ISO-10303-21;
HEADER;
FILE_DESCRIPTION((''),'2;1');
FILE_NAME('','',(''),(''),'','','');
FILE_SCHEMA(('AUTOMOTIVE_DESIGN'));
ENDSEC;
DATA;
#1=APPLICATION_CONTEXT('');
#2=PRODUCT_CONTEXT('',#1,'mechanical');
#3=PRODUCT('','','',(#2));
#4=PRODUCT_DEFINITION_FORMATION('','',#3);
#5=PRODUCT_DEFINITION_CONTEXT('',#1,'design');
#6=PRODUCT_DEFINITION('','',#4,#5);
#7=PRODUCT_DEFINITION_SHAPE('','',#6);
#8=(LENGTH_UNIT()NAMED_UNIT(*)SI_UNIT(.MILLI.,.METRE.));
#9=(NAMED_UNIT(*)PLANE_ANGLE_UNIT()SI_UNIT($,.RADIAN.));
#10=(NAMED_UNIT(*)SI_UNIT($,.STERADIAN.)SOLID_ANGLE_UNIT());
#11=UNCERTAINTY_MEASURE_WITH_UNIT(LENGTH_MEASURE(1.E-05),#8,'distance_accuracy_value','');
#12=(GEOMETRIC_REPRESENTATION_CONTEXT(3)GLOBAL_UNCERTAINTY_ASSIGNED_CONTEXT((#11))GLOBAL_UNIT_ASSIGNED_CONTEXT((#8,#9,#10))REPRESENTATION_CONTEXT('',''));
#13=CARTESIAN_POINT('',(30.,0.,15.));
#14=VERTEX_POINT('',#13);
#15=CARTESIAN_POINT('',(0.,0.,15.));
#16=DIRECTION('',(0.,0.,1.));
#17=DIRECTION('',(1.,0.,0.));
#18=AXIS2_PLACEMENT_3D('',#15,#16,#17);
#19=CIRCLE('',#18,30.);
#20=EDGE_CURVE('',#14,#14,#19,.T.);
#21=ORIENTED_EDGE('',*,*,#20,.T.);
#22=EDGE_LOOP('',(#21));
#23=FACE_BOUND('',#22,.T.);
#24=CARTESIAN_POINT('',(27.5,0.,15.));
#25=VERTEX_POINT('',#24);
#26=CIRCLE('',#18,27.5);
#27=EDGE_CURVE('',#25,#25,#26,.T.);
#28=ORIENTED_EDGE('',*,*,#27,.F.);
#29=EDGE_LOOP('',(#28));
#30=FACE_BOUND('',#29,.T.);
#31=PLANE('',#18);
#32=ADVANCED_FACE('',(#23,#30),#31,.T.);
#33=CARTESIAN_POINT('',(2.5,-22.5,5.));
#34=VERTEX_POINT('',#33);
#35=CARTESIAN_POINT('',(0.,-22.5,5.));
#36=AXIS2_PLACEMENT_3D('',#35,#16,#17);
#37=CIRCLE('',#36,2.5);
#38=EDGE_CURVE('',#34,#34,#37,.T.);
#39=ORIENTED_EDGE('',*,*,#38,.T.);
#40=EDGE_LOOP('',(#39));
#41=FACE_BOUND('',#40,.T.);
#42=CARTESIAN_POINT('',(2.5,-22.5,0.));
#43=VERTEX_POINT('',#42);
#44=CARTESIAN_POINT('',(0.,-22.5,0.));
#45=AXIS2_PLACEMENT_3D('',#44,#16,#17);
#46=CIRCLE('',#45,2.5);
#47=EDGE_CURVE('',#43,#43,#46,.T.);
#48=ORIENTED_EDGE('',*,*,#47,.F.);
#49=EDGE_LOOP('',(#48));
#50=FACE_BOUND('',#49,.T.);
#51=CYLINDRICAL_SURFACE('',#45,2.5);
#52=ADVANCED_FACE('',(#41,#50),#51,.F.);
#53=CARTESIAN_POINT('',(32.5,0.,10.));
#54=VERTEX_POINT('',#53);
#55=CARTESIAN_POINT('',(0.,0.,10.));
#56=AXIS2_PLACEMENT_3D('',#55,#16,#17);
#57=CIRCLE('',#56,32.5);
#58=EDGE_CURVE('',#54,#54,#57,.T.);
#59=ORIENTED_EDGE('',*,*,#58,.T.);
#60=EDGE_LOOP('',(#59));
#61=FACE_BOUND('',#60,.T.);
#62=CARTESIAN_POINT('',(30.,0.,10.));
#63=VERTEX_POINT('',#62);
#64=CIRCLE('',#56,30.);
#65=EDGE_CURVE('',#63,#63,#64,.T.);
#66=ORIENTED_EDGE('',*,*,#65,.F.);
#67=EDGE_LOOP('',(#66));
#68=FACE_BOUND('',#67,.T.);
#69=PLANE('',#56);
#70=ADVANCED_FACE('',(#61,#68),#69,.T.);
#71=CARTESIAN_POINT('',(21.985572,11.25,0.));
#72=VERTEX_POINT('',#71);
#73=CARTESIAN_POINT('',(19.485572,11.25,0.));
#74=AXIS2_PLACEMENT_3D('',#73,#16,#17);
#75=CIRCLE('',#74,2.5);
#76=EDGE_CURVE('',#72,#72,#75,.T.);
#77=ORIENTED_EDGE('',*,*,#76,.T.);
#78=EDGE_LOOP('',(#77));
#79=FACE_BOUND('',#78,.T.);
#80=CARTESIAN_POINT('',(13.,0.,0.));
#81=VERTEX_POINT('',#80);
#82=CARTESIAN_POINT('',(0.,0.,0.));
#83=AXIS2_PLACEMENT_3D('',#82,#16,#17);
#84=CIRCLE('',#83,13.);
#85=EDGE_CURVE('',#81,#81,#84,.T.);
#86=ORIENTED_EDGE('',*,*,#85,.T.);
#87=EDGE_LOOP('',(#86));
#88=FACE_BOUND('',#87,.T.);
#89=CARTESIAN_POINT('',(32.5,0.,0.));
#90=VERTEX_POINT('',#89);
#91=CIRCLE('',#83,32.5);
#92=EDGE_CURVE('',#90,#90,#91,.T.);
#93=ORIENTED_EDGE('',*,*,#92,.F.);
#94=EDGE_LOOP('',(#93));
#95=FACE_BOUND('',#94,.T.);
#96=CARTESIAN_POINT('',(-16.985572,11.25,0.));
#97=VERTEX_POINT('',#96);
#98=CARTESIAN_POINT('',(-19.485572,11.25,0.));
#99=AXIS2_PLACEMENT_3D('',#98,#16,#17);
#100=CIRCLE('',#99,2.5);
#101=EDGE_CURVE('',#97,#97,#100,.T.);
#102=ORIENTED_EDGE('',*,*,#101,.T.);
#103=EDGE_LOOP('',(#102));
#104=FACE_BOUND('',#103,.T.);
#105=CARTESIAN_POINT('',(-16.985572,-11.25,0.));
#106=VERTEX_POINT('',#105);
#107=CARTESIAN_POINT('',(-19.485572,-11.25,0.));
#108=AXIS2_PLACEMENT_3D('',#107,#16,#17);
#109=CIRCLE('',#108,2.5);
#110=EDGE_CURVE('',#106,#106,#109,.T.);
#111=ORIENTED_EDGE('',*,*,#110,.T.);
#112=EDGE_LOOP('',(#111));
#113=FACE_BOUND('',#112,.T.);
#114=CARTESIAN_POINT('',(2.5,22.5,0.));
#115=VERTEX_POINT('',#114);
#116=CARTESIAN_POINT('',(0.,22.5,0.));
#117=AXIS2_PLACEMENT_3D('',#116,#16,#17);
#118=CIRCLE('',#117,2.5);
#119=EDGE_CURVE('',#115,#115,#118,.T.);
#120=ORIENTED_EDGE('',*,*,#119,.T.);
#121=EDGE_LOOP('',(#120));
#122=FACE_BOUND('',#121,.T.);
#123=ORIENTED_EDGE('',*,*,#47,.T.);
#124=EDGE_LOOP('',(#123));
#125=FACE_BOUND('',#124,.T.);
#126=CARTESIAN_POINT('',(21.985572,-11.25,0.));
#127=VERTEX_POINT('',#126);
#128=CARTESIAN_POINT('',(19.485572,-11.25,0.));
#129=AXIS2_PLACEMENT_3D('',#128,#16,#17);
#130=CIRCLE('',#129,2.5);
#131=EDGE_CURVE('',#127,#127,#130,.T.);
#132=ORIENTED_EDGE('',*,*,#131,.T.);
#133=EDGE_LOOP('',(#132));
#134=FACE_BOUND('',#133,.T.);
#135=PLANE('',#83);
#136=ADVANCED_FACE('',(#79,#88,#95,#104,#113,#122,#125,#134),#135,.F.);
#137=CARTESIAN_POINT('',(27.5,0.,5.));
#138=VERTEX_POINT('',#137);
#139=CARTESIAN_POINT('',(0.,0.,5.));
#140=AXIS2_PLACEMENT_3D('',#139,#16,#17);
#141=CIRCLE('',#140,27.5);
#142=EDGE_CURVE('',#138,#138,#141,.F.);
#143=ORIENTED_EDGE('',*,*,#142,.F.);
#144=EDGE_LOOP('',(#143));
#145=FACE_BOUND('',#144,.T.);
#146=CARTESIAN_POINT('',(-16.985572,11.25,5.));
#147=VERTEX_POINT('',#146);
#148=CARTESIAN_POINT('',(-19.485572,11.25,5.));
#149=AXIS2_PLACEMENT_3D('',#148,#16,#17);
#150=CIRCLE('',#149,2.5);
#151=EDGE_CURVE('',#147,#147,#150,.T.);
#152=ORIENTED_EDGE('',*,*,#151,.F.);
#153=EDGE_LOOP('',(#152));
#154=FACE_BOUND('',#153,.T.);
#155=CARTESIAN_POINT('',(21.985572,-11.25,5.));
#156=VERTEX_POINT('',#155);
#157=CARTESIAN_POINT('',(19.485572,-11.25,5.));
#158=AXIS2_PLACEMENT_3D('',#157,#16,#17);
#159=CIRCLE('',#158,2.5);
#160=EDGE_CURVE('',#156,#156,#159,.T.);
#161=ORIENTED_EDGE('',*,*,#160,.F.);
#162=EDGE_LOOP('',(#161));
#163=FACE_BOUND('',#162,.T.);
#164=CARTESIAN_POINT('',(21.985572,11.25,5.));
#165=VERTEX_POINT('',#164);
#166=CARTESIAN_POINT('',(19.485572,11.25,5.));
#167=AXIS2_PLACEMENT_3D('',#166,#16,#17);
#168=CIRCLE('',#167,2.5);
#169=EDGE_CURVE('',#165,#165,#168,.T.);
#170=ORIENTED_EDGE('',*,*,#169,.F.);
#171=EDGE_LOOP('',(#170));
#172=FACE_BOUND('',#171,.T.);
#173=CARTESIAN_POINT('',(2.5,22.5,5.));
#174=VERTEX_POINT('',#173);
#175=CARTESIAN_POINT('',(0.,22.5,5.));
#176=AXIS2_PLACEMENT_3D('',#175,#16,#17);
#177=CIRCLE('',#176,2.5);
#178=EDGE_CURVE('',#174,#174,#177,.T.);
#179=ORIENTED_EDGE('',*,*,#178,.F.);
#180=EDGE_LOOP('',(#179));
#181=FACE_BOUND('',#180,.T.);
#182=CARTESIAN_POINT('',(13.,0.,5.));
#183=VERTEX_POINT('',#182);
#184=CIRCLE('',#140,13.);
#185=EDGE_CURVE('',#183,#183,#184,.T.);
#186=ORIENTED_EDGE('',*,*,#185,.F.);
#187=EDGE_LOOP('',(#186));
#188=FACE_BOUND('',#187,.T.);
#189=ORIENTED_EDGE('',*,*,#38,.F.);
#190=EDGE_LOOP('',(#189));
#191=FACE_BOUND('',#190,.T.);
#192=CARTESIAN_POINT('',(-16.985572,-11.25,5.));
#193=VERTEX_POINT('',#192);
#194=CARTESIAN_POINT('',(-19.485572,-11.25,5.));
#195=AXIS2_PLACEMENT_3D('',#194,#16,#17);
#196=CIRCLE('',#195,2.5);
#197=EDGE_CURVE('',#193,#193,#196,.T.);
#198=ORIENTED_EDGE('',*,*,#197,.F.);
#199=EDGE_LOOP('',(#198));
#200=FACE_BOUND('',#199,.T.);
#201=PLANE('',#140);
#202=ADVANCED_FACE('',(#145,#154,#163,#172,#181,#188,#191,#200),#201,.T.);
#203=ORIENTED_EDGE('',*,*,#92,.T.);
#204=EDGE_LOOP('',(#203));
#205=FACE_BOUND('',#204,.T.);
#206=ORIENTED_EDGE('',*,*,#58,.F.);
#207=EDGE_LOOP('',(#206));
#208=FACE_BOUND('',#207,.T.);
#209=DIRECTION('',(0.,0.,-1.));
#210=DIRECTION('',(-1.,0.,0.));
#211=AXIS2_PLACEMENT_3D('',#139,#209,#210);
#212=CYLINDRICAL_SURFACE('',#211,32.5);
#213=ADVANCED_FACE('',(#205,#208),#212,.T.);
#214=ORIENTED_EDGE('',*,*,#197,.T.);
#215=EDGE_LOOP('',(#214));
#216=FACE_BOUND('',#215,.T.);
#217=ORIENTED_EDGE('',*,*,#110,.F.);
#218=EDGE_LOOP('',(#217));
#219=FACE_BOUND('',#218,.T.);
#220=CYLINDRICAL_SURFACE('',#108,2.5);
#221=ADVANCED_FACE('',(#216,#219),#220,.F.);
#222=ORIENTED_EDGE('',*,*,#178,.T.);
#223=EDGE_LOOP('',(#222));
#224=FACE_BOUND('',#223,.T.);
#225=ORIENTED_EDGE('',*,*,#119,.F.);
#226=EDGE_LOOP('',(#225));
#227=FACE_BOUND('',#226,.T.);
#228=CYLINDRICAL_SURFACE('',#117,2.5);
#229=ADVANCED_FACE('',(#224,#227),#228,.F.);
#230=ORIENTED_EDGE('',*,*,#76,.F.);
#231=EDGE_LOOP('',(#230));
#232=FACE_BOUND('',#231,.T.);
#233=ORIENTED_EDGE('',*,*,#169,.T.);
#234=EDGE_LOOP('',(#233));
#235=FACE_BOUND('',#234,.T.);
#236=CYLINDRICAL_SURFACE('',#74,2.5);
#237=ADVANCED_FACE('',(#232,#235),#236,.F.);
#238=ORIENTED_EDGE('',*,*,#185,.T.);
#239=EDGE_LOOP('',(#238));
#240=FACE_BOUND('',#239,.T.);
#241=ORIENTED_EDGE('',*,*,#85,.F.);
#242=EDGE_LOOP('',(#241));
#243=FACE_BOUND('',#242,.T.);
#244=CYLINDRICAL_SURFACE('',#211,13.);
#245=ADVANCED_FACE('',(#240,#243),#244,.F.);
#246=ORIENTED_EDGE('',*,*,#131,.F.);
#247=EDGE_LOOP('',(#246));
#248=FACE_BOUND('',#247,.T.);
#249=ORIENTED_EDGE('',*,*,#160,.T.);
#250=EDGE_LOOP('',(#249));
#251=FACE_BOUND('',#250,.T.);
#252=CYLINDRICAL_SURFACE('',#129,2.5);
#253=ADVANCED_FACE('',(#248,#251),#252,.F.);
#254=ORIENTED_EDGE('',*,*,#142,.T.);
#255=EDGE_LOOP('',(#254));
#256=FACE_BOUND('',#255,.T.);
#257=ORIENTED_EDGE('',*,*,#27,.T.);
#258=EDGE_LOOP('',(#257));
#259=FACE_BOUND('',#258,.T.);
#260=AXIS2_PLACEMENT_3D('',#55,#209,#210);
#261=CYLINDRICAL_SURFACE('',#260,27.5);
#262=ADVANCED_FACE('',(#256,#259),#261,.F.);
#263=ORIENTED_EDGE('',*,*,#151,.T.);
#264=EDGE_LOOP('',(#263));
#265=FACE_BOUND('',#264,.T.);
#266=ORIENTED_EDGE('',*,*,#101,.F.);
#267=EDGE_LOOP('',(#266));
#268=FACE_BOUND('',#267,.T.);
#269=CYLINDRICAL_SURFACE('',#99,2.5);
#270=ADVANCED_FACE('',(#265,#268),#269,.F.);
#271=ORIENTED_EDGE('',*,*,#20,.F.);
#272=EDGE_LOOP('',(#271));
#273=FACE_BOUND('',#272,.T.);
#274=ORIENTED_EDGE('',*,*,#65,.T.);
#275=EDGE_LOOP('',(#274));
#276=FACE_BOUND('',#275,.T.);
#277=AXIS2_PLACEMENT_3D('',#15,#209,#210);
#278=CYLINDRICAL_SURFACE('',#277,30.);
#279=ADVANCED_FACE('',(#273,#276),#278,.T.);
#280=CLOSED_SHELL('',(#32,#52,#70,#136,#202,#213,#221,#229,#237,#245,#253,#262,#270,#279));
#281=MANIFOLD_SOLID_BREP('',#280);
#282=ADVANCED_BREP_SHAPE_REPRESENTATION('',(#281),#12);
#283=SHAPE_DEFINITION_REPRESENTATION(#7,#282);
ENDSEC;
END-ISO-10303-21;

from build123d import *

# Parameters (mm, degrees)
SKETCH_1_R          = 32.5
SKETCH_1_R_2        = 13
EXTRUDE_1_DEPTH     = 5
SKETCH_2_R          = 32.5
SKETCH_2_R_2        = 27.5
EXTRUDE_2_DEPTH     = 5
SKETCH_3_R          = 2.5
CUT_EXTRUDE_1_DEPTH = 47.233105022
SKETCH_4_R          = 30
SKETCH_4_R_2        = 27.5
EXTRUDE_3_DEPTH     = 5


with BuildPart() as part:
    # 草图1 → 凸台-拉伸1 (new body)
    with BuildSketch(Plane.XY):
        Circle(SKETCH_1_R)
        Circle(SKETCH_1_R_2, mode=Mode.SUBTRACT)
    extrude(amount=EXTRUDE_1_DEPTH)

    # 草图2 → 凸台-拉伸2 (add)
    with BuildSketch(Plane.XY.offset(5)):
        Circle(SKETCH_2_R)
        Circle(SKETCH_2_R_2, mode=Mode.SUBTRACT)
    extrude(amount=EXTRUDE_2_DEPTH)

    # 草图3 → 切除-拉伸1 (cut, through all)
    with BuildSketch(Plane.XY.offset(5)):
        with Locations((0, 22.5)):
            Circle(SKETCH_3_R)
        with Locations((19.485571585, 11.25)):
            Circle(SKETCH_3_R)
        with Locations((19.485571585, -11.25)):
            Circle(SKETCH_3_R)
        with Locations((0, -22.5)):
            Circle(SKETCH_3_R)
        with Locations((-19.485571585, -11.25)):
            Circle(SKETCH_3_R)
        with Locations((-19.485571585, 11.25)):
            Circle(SKETCH_3_R)
    extrude(amount=-CUT_EXTRUDE_1_DEPTH, mode=Mode.SUBTRACT)

    # 草图4 → 凸台-拉伸3 (add)
    with BuildSketch(Plane.XY.offset(10)):
        Circle(SKETCH_4_R)
        Circle(SKETCH_4_R_2, mode=Mode.SUBTRACT)
    extrude(amount=EXTRUDE_3_DEPTH)


solid = part.part
